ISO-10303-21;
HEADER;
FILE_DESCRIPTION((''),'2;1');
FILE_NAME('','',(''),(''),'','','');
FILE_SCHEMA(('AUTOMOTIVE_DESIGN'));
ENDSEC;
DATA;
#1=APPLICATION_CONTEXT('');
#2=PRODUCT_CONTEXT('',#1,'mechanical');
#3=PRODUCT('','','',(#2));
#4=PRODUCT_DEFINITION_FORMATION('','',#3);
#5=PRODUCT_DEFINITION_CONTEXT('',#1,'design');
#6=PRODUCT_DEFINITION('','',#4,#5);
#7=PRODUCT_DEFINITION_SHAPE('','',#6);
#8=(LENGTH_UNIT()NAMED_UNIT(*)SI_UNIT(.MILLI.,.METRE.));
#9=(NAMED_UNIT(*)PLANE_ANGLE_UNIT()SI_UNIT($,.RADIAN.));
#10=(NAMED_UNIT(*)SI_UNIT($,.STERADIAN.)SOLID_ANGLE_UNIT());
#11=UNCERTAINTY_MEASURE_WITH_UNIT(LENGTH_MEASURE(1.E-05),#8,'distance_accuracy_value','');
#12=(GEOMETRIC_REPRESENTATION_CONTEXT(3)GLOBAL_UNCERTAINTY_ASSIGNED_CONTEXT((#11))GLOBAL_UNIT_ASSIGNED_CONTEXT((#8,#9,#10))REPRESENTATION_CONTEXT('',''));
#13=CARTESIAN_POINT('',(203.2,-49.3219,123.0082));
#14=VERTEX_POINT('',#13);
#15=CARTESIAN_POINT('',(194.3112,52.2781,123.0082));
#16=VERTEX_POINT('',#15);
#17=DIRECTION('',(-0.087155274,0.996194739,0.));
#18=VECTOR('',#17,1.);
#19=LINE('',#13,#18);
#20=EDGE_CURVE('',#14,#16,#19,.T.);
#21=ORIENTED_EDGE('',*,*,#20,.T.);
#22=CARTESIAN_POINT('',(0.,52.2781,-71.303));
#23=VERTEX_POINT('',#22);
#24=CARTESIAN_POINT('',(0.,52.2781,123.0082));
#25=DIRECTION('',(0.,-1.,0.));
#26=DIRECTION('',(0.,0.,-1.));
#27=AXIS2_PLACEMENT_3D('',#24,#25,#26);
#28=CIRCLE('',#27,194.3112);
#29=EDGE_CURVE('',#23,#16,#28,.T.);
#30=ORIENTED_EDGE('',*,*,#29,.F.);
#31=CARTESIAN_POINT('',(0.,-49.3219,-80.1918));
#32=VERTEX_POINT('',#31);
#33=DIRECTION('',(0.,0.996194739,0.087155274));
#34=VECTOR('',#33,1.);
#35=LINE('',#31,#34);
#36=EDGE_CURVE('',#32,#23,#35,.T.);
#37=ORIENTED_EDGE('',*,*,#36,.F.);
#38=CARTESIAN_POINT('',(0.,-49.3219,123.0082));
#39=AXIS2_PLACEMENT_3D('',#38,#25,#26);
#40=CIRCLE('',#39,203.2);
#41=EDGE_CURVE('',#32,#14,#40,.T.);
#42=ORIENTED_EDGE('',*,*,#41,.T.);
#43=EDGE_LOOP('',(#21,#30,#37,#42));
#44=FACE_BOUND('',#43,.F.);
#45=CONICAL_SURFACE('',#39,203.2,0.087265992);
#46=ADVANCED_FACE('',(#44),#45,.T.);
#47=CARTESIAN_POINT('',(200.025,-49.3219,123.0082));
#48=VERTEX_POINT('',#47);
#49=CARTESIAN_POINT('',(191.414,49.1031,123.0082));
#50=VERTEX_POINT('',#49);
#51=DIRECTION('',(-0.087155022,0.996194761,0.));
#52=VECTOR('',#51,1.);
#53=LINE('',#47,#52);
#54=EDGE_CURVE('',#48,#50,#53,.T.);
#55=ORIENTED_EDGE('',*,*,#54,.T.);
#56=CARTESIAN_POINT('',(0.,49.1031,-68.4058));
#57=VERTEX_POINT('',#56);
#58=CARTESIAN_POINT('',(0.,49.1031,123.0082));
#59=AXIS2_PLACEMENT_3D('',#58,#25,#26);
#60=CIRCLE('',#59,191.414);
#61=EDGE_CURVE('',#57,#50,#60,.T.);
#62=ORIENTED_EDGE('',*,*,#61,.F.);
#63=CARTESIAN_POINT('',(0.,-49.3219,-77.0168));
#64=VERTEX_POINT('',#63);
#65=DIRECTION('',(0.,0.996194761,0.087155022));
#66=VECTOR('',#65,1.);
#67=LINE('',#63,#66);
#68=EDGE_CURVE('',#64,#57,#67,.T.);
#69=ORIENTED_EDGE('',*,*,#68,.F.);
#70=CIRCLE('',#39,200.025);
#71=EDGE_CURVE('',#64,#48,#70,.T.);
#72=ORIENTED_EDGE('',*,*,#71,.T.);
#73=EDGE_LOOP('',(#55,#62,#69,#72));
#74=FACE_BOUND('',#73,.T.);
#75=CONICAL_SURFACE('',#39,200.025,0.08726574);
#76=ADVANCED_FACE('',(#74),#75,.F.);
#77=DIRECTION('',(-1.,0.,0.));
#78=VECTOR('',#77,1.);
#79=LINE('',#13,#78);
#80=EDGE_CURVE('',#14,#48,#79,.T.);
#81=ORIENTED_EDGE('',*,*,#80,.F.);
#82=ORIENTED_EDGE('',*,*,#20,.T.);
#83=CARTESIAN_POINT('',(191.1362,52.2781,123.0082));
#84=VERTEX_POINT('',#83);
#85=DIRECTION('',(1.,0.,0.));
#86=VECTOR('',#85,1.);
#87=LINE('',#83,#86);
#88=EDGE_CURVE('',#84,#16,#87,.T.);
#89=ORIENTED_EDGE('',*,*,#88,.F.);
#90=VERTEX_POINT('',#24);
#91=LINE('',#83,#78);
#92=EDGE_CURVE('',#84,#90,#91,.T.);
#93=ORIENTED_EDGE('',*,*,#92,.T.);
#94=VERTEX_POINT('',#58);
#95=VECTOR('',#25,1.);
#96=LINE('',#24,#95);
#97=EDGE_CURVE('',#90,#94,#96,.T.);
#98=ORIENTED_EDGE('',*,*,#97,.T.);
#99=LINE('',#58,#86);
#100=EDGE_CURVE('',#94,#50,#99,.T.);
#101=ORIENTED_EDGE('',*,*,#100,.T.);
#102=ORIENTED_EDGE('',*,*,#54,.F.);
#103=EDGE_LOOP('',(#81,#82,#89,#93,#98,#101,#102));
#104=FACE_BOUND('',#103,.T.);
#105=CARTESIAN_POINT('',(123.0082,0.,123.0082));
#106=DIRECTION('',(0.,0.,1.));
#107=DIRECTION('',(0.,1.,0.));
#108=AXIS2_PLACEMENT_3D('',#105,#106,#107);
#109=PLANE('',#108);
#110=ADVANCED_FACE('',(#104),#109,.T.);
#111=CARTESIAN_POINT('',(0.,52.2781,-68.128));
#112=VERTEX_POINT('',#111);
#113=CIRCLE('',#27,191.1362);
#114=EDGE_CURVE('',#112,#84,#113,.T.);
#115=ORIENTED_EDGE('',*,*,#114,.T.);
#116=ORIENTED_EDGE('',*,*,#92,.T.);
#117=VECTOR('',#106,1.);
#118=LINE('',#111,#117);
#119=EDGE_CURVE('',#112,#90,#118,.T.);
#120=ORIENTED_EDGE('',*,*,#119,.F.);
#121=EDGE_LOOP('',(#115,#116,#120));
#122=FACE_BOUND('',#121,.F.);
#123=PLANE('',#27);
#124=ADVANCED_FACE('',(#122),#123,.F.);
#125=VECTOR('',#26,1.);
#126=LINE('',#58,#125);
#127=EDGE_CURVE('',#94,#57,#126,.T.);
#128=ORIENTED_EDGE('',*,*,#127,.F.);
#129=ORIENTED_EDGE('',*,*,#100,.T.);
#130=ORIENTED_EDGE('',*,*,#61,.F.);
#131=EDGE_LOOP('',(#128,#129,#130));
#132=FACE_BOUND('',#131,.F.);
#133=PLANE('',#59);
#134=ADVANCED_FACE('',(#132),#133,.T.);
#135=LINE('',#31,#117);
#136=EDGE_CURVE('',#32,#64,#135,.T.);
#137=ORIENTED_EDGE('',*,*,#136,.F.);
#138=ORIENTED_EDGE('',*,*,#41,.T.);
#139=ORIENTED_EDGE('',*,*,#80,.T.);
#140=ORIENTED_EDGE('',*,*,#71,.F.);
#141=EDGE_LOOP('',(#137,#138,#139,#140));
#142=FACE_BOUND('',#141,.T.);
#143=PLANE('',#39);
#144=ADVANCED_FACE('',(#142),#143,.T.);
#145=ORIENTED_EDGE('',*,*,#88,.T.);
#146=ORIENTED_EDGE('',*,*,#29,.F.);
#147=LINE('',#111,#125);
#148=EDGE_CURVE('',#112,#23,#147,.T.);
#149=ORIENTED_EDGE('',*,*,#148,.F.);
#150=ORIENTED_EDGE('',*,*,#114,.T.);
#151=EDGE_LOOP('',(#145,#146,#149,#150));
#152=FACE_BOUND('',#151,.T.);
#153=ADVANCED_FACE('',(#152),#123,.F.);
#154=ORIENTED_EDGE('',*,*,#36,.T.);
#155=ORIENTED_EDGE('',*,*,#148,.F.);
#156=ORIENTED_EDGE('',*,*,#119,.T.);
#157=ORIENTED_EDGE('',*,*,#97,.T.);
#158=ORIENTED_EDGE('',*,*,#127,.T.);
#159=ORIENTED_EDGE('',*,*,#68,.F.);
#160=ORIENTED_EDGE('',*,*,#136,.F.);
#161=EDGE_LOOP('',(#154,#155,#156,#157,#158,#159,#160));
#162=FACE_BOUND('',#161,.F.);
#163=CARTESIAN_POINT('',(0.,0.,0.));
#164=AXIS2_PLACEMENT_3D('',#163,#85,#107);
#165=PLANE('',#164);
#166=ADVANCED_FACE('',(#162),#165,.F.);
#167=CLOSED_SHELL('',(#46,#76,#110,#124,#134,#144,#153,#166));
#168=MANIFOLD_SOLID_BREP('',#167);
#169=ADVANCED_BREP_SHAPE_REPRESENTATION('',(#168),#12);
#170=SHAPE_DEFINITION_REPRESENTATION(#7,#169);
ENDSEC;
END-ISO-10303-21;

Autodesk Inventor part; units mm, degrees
ref_plane "YZ Plane" through (0, 0, 0) normal (1, 0, 0) x (0, 1, 0)
ref_plane "XZ Plane" through (0, 0, 0) normal (0, 1, 0) x (-1, 0, 0)
ref_plane "XY Plane" through (0, 0, 0) normal (0, 0, 1) x (1, 0, 0)
sketch "Sketch1" plane through (0, 0, 0) normal (1, 0, 0) x (0, 1, 0)
  line L0 (52.2781, 123.0082) -> (49.1031, 123.0082)
  line L1 (-49.3219, -80.1918) -> (-49.3219, -77.0168)
  line L2 (-49.3219, -77.0168) -> (49.1031, -68.4058)
  line L3 (52.2781, -68.128) -> (52.2781, -71.303)
  line L4 (-49.3219, -80.1918) -> (52.2781, -71.303)
  line L5 (52.2781, -68.128) -> (52.2781, 123.0082)
  line L6 (49.1031, 123.0082) -> (49.1031, -68.4058)
  point P0 (0, 0)
  dimension "d0" = 203.2
  dimension "d1" = 3.175
  dimension "d2" = 95
  dimension "d3" = 101.6
  dimension "d4" = 180
  dimension "d5" = 3.175
revolve "Revolution1" add sketch "Sketch1" angle 90 about axis through (0, 52.2781, 123.0082) along (0, -1, 0)
properties part number "QuarterTop"
